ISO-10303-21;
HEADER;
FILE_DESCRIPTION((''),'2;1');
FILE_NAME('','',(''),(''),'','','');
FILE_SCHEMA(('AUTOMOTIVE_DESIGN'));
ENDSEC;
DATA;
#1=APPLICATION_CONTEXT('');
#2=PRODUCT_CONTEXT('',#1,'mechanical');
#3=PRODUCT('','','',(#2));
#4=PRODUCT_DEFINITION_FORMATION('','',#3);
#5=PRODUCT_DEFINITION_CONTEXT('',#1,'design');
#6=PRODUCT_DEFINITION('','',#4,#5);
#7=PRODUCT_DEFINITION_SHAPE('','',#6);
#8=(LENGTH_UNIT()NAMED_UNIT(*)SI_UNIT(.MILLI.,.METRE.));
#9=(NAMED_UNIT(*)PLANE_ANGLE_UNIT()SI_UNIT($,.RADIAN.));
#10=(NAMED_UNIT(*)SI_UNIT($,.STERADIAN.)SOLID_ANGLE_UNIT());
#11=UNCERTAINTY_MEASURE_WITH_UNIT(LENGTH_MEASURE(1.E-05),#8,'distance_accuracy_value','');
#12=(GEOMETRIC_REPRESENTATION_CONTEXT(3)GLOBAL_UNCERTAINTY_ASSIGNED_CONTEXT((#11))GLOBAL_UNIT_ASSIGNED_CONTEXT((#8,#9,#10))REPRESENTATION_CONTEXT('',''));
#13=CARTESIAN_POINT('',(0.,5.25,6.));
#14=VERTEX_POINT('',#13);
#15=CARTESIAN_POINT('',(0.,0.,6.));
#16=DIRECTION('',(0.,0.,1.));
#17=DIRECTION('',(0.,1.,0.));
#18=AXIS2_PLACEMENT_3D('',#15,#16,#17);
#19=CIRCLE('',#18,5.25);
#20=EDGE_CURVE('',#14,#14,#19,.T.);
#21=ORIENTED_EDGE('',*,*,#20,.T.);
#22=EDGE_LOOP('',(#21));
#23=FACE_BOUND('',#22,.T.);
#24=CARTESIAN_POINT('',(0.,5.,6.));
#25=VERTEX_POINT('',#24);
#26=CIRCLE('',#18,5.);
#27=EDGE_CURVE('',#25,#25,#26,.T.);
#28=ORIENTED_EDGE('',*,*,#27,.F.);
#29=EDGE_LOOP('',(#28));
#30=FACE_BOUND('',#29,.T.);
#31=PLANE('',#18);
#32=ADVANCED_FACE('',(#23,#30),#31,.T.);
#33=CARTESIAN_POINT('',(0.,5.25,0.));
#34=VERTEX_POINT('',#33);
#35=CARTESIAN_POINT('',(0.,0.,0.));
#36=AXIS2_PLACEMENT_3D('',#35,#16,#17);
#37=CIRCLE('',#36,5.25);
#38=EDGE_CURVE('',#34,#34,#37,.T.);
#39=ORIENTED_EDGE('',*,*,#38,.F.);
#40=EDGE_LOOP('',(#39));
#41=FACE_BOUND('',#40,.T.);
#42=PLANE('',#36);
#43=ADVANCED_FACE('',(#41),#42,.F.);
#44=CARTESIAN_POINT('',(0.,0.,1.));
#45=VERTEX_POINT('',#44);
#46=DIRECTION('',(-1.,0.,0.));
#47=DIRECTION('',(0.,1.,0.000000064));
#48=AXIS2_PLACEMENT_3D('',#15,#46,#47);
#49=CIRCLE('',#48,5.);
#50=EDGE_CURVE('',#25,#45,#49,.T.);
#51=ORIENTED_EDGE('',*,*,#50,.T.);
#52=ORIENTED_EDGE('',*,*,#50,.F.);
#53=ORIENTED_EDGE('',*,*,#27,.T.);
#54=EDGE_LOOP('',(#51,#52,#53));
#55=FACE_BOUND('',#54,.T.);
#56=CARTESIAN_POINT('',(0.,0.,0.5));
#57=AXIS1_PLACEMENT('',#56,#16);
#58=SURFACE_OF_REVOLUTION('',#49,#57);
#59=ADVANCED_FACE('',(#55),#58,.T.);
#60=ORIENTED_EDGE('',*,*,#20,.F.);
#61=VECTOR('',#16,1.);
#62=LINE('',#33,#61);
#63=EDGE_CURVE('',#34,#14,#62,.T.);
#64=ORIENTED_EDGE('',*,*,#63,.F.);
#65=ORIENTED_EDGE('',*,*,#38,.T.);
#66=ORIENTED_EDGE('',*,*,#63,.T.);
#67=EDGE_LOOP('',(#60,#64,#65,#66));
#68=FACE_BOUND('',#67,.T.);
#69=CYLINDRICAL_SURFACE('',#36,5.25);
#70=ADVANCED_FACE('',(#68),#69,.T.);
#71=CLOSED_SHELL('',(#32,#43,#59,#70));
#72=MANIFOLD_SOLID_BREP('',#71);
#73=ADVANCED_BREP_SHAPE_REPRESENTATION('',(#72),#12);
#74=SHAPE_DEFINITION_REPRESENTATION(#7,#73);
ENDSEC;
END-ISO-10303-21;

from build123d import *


with BuildPart() as f1:
    # F0 (on Right) → F1 (revolve)
    with BuildSketch(Plane.YZ):
        with BuildLine():
            Line((0, 1), (0, 0))
            Line((0, 0), (5.25, 0))
            Line((5.25, 0), (5.25, 6))
            Line((5.25, 6), (5, 6))
            ThreePointArc((5, 6), (3.535534, 2.464466), (0, 1))
        make_face()
    revolve(axis=Axis((0, 0, 0.5), (0, 0, 1)))


solid = f1.part
